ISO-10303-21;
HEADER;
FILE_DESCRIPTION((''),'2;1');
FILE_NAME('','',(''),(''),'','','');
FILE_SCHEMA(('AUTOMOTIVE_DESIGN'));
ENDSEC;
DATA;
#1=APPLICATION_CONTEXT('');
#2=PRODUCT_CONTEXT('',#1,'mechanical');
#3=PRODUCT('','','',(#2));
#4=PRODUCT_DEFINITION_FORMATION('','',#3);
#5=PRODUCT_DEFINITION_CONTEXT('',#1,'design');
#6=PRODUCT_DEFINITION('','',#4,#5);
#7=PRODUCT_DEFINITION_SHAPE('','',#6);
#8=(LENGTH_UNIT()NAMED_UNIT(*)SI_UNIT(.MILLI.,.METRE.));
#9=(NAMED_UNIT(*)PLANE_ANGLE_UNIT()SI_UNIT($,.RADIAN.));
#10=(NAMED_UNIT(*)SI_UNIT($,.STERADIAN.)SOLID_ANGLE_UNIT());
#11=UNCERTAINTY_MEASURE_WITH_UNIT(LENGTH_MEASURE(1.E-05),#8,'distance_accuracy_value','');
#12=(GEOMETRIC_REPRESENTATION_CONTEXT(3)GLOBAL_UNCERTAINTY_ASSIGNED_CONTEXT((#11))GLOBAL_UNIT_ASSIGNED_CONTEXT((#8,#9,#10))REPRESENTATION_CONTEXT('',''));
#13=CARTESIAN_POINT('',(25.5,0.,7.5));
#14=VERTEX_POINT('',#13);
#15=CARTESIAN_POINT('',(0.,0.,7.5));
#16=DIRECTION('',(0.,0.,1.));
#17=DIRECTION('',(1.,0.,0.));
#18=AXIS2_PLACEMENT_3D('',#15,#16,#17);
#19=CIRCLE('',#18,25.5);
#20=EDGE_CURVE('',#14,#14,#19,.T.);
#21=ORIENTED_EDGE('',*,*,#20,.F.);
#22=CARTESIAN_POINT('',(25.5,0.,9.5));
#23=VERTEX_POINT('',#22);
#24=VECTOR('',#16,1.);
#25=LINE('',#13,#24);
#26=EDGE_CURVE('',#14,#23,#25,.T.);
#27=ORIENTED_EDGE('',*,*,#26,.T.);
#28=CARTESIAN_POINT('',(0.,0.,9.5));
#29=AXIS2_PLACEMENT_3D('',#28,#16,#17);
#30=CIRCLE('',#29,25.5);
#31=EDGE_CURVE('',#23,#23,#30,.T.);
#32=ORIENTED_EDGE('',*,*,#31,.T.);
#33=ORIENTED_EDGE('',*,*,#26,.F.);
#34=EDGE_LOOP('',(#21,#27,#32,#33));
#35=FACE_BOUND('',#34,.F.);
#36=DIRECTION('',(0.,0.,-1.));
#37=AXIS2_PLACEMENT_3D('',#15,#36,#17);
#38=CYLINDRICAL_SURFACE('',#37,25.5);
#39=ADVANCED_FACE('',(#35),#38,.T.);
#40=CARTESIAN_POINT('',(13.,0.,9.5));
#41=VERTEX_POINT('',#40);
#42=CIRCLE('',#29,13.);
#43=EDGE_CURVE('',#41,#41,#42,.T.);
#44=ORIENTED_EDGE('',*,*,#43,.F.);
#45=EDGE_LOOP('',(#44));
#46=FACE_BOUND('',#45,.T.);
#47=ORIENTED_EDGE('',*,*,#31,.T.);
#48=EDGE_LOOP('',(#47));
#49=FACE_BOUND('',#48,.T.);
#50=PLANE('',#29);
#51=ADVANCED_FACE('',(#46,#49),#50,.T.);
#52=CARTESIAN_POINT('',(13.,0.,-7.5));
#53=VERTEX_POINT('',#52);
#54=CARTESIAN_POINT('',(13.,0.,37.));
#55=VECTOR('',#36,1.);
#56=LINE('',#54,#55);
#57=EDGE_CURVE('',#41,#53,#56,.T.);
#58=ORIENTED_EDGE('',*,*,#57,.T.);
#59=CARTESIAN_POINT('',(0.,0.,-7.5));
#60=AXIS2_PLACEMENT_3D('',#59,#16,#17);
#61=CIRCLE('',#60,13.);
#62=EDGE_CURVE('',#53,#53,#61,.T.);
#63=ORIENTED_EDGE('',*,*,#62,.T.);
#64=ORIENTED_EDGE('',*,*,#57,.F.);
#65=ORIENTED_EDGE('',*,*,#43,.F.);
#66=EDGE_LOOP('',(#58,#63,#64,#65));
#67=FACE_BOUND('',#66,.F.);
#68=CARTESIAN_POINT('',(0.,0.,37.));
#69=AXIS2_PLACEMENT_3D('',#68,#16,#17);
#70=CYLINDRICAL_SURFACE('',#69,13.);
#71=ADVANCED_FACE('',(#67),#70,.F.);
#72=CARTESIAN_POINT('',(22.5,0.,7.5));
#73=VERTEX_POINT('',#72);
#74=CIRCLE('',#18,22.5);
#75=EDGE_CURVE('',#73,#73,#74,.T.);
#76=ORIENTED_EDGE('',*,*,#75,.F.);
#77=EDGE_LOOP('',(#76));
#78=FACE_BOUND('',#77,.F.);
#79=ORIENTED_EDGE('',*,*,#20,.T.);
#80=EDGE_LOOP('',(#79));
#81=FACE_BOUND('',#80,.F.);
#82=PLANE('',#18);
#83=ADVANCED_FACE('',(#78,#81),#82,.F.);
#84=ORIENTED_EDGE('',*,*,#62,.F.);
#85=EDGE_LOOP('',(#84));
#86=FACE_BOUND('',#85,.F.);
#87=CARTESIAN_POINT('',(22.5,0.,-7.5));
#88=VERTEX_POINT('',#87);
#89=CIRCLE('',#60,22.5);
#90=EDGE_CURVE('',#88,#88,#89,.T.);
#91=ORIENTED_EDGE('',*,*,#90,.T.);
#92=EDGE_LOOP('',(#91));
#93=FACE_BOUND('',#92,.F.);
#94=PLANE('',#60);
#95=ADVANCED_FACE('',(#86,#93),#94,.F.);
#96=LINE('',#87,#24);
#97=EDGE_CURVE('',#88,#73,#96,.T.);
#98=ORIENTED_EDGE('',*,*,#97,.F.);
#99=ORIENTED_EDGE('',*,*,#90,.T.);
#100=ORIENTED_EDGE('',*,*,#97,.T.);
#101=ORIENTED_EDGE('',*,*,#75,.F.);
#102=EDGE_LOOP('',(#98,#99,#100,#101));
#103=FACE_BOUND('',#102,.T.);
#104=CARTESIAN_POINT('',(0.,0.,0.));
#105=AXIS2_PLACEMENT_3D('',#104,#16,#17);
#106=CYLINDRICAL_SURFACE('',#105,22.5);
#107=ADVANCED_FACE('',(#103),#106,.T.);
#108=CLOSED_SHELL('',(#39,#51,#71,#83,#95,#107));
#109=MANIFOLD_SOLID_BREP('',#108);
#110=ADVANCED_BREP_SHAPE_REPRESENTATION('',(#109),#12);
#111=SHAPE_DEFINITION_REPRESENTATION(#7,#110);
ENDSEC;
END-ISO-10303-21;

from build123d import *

# Parameters (mm, degrees)
SKETCH_R     = 22.5
PAD_DEPTH    = 7.5
SKETCH001_R  = 25.5
PAD001_DEPTH = 2
SKETCH002_R  = 13
POCKET_DEPTH = 44.501


with BuildPart() as part:
    # Sketch → Pad (new body, symmetric)
    with BuildSketch(Plane.XY):
        Circle(SKETCH_R)
    extrude(amount=PAD_DEPTH, both=True)

    # Sketch001 (on Face3 of Pad) → Pad001 (join)
    with BuildSketch(Plane.XY.offset(7.5)):
        Circle(SKETCH001_R)
    extrude(amount=PAD001_DEPTH)

    # Sketch002 → Pocket (cut, through all)
    with BuildSketch(Plane.XY.offset(37)):
        Circle(SKETCH002_R)
    extrude(amount=-POCKET_DEPTH, mode=Mode.SUBTRACT)


solid = part.part
